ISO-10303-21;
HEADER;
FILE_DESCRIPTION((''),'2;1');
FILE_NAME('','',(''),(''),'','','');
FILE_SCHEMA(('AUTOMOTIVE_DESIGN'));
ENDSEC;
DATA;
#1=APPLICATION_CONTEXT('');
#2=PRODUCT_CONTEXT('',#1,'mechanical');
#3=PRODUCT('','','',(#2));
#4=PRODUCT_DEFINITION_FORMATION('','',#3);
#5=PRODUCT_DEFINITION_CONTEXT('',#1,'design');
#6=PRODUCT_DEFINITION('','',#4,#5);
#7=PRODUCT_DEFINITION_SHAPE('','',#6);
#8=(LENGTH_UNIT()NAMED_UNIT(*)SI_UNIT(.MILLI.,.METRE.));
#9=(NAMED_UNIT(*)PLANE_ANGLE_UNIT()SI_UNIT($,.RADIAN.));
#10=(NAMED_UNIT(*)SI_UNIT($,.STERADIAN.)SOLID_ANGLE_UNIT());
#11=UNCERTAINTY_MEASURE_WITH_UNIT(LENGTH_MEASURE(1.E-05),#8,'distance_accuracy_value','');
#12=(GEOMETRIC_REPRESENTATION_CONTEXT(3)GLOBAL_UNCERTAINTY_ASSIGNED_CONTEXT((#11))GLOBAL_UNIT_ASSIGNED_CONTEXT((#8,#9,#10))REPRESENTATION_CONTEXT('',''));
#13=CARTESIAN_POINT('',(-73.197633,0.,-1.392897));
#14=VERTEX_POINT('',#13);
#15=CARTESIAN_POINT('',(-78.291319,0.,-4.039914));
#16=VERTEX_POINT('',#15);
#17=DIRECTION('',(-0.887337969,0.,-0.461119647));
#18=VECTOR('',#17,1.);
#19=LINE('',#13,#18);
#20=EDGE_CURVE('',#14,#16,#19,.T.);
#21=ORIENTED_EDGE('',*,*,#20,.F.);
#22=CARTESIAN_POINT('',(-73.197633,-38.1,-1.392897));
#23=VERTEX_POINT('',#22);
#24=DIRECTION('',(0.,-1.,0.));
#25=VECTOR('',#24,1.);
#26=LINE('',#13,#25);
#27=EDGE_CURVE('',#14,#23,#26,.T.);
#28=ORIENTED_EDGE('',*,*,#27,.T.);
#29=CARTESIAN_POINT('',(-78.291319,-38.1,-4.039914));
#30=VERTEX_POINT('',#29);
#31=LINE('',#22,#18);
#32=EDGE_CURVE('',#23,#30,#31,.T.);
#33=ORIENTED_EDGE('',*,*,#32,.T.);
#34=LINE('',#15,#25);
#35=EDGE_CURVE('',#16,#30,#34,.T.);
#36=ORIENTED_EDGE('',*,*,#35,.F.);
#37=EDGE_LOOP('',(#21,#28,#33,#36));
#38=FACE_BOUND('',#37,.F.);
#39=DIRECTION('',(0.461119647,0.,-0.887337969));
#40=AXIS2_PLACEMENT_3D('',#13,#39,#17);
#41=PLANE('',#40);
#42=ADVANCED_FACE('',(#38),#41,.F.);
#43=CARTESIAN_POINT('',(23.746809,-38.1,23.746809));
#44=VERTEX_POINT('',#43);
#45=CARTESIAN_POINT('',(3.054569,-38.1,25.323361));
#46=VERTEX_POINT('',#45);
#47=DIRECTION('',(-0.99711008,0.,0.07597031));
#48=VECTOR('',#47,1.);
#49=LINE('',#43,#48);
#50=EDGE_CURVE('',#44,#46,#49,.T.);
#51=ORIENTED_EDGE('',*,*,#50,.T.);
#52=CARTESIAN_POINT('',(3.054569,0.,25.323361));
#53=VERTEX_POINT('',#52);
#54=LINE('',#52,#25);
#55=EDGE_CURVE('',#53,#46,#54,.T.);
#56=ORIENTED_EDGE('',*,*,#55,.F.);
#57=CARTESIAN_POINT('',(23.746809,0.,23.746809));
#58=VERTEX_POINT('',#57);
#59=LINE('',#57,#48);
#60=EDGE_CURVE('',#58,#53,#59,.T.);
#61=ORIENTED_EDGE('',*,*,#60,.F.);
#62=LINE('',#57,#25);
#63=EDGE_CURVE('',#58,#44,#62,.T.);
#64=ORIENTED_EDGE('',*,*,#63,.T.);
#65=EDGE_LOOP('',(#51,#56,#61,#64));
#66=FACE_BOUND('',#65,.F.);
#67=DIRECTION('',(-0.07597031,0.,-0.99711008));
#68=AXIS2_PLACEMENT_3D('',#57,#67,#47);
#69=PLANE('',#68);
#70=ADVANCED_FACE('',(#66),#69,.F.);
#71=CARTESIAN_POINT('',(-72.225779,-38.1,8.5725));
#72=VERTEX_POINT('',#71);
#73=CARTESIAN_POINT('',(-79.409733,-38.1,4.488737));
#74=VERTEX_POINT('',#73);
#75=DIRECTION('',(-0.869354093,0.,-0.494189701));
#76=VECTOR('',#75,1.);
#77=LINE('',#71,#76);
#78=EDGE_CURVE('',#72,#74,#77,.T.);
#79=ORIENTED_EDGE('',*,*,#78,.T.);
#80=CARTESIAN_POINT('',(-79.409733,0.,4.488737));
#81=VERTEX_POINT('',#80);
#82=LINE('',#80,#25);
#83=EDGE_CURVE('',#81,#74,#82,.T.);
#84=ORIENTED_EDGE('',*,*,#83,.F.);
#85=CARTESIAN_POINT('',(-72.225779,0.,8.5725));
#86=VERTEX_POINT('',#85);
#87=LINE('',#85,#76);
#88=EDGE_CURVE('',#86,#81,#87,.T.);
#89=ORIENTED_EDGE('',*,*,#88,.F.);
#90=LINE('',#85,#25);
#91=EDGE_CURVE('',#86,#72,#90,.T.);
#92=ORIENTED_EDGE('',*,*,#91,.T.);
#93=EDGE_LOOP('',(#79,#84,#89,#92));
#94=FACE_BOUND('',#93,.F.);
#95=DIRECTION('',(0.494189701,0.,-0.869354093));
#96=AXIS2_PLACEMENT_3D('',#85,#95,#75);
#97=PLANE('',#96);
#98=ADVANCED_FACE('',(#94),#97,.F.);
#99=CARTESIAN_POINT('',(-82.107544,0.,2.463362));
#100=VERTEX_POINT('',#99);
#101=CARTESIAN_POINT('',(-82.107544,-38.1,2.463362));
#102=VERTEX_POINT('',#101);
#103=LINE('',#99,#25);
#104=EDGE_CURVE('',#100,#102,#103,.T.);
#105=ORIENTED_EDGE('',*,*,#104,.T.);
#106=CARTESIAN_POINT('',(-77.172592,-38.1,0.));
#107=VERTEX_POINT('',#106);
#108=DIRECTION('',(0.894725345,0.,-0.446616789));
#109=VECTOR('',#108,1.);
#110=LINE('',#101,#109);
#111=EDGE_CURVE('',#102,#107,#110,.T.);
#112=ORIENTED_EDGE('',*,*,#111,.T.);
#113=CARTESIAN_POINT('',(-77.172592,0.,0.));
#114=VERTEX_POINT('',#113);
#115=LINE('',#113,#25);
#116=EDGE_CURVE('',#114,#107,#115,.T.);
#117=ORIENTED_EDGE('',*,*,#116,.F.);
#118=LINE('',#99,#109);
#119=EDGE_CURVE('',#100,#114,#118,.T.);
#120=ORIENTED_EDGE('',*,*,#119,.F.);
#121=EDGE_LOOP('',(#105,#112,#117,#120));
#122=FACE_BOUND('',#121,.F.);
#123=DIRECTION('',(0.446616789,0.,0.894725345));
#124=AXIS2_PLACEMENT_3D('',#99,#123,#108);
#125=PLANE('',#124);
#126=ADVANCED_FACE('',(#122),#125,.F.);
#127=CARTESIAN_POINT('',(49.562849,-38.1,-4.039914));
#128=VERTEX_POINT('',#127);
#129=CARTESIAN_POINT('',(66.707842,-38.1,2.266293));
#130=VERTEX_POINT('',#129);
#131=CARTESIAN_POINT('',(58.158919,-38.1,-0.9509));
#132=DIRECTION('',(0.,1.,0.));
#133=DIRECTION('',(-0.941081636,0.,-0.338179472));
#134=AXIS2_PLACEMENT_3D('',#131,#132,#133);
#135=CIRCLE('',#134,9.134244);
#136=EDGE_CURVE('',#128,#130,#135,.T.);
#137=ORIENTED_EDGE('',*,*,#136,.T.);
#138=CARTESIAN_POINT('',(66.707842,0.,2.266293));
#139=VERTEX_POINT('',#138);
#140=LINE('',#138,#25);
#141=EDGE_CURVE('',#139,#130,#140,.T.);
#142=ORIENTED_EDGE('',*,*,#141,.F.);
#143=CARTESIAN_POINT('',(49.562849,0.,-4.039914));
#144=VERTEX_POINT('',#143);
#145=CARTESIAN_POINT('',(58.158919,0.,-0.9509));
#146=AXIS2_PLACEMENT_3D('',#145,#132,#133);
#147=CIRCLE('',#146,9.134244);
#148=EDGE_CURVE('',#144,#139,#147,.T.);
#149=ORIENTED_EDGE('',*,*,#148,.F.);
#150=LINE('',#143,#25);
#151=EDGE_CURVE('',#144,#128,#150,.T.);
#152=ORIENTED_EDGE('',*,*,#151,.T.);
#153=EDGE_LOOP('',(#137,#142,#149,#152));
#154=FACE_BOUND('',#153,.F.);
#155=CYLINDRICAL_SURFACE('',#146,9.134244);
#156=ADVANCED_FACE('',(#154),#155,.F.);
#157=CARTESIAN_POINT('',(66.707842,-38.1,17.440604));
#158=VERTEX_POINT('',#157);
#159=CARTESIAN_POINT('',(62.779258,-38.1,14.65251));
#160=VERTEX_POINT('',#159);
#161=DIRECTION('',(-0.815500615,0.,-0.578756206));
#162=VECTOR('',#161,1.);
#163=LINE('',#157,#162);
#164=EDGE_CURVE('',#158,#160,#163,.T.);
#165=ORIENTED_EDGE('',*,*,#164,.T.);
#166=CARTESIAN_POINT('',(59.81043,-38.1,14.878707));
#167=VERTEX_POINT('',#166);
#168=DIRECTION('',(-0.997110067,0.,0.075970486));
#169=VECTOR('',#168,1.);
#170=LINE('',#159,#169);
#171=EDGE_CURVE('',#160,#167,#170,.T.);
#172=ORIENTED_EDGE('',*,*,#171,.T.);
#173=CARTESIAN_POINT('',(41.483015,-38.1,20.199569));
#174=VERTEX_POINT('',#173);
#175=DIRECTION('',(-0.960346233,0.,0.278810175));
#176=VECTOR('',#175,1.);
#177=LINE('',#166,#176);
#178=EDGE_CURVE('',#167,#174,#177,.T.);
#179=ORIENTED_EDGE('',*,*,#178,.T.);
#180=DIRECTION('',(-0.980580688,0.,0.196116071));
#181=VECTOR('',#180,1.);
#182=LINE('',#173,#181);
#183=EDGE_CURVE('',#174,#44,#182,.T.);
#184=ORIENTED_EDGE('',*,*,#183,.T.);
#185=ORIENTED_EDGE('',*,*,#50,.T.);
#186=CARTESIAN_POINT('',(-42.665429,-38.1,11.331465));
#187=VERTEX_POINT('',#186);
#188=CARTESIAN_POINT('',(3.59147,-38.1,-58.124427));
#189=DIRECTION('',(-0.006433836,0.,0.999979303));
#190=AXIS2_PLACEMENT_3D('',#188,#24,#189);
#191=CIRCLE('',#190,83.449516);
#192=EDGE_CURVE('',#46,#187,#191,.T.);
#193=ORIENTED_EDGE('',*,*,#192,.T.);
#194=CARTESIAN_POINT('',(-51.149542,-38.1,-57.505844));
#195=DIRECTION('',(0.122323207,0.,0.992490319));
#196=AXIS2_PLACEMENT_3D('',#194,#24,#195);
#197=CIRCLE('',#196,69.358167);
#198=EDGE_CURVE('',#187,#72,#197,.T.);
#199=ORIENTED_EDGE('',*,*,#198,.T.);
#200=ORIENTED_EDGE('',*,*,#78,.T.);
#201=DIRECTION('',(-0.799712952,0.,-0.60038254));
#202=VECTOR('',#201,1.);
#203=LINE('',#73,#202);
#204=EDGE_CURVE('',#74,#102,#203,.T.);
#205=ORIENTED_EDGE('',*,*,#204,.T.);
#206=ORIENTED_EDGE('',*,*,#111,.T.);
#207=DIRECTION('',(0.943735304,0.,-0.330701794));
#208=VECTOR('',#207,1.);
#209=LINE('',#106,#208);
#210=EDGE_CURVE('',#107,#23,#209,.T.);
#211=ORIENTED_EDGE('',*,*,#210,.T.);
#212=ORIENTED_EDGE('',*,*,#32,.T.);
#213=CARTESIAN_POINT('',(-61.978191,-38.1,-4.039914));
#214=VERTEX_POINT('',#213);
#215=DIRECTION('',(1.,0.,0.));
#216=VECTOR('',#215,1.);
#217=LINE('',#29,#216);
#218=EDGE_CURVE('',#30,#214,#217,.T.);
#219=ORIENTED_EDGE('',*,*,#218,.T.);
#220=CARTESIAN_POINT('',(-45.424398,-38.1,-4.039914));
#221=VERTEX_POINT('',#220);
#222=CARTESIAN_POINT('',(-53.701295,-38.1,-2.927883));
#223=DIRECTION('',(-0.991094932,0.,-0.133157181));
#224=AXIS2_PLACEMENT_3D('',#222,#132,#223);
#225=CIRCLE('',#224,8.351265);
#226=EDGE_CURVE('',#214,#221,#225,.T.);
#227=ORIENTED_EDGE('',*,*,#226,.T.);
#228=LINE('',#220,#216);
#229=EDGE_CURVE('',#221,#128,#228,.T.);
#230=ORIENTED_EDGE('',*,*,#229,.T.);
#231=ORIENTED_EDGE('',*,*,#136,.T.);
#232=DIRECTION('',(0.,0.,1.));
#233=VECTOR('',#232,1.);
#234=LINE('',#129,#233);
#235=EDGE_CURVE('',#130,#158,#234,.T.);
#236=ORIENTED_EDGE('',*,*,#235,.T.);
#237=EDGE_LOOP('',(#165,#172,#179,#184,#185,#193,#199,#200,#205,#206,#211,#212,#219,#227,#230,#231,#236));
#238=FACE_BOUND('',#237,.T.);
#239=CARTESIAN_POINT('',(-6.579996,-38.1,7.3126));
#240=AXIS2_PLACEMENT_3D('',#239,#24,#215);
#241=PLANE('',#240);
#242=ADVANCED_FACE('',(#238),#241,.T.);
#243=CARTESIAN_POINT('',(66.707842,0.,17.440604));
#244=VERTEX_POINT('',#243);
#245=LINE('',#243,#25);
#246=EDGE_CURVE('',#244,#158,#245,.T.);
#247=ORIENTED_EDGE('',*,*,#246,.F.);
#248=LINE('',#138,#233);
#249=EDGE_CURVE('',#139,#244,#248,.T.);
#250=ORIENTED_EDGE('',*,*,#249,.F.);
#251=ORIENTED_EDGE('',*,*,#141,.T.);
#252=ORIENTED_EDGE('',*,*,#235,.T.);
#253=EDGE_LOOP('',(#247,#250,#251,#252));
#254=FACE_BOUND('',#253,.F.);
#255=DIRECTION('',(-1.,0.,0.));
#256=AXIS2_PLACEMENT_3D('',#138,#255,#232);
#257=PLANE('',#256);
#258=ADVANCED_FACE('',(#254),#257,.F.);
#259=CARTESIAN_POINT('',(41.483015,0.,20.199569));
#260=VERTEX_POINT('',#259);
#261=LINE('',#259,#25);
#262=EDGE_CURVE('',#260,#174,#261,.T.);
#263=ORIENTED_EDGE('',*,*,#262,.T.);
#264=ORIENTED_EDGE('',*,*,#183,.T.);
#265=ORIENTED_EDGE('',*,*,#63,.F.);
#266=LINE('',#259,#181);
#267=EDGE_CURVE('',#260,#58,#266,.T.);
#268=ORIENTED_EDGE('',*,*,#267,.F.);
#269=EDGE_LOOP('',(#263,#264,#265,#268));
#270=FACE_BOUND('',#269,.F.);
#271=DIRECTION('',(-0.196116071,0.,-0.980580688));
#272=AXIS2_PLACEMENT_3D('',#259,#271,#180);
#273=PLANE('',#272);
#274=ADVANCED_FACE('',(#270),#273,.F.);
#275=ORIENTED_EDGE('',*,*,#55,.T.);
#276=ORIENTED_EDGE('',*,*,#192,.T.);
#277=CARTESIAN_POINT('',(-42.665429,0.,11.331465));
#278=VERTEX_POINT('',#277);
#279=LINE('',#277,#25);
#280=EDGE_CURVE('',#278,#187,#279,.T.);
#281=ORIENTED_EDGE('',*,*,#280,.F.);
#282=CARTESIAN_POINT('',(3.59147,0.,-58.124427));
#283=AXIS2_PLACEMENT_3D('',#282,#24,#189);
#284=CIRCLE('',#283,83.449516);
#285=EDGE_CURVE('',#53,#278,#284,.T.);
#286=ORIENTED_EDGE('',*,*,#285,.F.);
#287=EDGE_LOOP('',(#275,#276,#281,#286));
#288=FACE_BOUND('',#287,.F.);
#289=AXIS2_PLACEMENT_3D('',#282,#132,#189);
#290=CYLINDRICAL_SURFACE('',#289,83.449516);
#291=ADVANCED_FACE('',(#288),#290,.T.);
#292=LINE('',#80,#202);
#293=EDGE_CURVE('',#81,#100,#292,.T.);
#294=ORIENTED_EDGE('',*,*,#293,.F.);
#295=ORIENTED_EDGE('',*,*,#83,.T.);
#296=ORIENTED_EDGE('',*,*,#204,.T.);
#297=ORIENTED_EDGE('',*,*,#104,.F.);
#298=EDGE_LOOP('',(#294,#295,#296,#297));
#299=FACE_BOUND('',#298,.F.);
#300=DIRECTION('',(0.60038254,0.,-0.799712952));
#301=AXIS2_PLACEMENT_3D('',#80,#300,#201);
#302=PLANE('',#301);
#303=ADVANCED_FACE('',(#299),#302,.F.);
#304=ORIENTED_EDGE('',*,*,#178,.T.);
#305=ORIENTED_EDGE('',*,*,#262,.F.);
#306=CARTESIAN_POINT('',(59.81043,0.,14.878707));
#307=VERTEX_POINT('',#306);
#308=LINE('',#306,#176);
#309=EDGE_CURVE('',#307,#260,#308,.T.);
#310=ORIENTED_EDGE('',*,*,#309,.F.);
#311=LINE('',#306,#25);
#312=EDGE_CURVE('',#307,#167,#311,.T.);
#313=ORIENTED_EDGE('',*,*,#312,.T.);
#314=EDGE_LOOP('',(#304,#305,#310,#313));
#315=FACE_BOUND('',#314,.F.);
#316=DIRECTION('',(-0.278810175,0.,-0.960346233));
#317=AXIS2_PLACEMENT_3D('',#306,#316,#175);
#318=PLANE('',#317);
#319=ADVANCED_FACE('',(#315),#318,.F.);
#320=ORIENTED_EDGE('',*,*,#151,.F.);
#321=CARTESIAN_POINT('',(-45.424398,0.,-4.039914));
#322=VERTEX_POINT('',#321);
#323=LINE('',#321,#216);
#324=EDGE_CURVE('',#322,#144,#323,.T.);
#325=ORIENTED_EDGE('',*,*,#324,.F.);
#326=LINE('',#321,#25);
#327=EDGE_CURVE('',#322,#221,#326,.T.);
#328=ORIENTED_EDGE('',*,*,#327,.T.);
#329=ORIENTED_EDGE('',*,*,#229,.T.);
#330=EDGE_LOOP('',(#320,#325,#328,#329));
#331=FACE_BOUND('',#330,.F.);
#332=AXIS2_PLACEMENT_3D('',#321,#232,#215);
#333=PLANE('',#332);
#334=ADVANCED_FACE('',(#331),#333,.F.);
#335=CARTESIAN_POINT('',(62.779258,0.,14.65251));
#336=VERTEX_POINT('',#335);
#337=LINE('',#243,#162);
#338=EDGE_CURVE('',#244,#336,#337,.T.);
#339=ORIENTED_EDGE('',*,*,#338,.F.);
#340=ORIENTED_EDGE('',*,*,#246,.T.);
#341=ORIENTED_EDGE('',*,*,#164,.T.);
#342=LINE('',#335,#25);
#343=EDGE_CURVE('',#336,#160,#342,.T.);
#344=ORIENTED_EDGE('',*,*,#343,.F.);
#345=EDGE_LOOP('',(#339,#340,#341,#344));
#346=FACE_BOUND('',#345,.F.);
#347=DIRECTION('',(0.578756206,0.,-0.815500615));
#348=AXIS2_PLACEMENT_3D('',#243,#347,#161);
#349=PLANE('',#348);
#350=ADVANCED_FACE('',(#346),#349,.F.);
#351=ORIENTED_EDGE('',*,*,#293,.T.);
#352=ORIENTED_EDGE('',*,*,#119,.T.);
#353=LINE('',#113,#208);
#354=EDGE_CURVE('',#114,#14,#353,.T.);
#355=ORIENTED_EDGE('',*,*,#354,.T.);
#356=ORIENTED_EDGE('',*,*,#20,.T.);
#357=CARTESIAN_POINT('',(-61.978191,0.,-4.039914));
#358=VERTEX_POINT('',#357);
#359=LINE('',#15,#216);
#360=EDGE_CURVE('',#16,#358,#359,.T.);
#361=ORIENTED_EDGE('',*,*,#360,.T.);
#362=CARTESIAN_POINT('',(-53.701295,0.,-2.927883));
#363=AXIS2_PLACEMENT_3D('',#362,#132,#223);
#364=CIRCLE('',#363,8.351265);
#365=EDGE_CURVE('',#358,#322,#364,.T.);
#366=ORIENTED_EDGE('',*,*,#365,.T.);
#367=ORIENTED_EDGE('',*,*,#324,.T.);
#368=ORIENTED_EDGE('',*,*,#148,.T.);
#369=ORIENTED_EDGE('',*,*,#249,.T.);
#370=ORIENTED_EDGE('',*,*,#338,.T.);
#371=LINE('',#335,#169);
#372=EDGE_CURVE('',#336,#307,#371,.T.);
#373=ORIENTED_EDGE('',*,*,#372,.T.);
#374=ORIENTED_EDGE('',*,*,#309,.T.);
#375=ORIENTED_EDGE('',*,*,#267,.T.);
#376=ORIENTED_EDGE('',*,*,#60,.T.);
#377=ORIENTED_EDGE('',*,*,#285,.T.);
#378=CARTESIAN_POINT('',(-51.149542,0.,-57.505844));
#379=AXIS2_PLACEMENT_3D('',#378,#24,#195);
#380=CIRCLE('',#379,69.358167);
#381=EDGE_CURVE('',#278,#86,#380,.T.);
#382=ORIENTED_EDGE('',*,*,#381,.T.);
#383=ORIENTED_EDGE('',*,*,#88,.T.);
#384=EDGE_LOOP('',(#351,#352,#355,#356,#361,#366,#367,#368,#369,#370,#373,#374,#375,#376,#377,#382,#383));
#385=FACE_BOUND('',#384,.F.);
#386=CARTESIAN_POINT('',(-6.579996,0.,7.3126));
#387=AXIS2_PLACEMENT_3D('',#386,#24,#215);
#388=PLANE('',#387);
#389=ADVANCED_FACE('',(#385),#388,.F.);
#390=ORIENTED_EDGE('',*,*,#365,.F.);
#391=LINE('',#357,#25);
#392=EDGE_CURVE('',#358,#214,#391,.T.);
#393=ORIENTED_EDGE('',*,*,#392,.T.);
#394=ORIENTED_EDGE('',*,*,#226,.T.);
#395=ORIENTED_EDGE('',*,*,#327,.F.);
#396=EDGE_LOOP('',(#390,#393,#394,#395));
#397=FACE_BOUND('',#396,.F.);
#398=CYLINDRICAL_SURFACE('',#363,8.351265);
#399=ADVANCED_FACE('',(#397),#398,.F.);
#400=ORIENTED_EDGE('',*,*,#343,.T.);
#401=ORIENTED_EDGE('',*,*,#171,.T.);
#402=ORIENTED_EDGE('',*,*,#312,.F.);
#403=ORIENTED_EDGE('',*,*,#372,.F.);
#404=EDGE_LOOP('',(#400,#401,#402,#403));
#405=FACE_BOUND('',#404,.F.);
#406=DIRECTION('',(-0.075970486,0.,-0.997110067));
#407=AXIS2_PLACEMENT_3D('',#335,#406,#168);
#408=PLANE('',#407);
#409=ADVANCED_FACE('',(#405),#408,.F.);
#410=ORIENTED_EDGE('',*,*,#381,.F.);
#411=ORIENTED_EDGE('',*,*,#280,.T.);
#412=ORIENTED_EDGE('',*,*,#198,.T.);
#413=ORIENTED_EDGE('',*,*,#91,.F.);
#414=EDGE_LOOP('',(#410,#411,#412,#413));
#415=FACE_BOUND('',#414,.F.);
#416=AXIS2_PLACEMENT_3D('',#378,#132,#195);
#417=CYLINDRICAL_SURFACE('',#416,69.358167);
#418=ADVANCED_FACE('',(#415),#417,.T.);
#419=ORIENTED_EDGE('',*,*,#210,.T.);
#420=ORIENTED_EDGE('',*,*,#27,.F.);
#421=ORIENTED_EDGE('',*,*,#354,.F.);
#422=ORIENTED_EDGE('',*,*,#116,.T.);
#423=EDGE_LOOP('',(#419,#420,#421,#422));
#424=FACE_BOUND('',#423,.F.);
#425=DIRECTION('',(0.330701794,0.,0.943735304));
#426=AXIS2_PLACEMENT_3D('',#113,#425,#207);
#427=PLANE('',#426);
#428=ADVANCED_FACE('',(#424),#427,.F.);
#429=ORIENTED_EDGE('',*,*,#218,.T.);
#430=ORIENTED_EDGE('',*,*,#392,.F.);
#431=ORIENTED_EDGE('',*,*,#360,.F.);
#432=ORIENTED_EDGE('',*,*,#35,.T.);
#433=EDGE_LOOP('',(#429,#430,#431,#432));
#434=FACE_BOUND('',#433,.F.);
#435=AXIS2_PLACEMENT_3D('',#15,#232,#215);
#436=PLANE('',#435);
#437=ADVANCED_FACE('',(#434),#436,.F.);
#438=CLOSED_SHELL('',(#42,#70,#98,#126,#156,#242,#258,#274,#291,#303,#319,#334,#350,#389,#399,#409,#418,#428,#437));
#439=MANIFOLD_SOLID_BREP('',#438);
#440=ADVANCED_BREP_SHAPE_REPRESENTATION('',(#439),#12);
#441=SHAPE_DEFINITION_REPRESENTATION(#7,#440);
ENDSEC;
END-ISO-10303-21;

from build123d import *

# Parameters (mm, degrees)
F1_DEPTH = 38.1


with BuildPart() as f1:
    # F0 (on Front) → F1 (new body)
    with BuildSketch(Plane.XZ):
        with BuildLine():
            Line((23.746809, 23.746809), (3.054569, 25.323361))
            ThreePointArc((3.054569, 25.323361), (-20.828977, 21.67196), (-42.665429, 11.331465))
            ThreePointArc((-42.665429, 11.331465), (-57.594957, 11.552189), (-72.225779, 8.5725))
            Line((-72.225779, 8.5725), (-79.409733, 4.488737))
            Line((-79.409733, 4.488737), (-82.107544, 2.463362))
            Line((-82.107544, 2.463362), (-77.172592, 0))
            Line((-77.172592, 0), (-73.197633, -1.392897))
            Line((-73.197633, -1.392897), (-78.291319, -4.039914))
            Line((-78.291319, -4.039914), (-67.496121, -4.039914))
            Line((-67.496121, -4.039914), (-61.978191, -4.039914))
            ThreePointArc((-61.978191, -4.039914), (-53.701295, 5.423382), (-45.424398, -4.039914))
            Line((-45.424398, -4.039914), (49.562849, -4.039914))
            ThreePointArc((49.562849, -4.039914), (55.005727, 7.621836), (66.707842, 2.266293))
            Line((66.707842, 2.266293), (66.707842, 6.207672))
            Line((66.707842, 6.207672), (66.707842, 17.440604))
            Line((66.707842, 17.440604), (62.779258, 14.65251))
            Line((62.779258, 14.65251), (59.81043, 14.878707))
            Line((59.81043, 14.878707), (41.483015, 20.199569))
            Line((41.483015, 20.199569), (23.746809, 23.746809))
        make_face()
    extrude(amount=F1_DEPTH)


solid = f1.part
